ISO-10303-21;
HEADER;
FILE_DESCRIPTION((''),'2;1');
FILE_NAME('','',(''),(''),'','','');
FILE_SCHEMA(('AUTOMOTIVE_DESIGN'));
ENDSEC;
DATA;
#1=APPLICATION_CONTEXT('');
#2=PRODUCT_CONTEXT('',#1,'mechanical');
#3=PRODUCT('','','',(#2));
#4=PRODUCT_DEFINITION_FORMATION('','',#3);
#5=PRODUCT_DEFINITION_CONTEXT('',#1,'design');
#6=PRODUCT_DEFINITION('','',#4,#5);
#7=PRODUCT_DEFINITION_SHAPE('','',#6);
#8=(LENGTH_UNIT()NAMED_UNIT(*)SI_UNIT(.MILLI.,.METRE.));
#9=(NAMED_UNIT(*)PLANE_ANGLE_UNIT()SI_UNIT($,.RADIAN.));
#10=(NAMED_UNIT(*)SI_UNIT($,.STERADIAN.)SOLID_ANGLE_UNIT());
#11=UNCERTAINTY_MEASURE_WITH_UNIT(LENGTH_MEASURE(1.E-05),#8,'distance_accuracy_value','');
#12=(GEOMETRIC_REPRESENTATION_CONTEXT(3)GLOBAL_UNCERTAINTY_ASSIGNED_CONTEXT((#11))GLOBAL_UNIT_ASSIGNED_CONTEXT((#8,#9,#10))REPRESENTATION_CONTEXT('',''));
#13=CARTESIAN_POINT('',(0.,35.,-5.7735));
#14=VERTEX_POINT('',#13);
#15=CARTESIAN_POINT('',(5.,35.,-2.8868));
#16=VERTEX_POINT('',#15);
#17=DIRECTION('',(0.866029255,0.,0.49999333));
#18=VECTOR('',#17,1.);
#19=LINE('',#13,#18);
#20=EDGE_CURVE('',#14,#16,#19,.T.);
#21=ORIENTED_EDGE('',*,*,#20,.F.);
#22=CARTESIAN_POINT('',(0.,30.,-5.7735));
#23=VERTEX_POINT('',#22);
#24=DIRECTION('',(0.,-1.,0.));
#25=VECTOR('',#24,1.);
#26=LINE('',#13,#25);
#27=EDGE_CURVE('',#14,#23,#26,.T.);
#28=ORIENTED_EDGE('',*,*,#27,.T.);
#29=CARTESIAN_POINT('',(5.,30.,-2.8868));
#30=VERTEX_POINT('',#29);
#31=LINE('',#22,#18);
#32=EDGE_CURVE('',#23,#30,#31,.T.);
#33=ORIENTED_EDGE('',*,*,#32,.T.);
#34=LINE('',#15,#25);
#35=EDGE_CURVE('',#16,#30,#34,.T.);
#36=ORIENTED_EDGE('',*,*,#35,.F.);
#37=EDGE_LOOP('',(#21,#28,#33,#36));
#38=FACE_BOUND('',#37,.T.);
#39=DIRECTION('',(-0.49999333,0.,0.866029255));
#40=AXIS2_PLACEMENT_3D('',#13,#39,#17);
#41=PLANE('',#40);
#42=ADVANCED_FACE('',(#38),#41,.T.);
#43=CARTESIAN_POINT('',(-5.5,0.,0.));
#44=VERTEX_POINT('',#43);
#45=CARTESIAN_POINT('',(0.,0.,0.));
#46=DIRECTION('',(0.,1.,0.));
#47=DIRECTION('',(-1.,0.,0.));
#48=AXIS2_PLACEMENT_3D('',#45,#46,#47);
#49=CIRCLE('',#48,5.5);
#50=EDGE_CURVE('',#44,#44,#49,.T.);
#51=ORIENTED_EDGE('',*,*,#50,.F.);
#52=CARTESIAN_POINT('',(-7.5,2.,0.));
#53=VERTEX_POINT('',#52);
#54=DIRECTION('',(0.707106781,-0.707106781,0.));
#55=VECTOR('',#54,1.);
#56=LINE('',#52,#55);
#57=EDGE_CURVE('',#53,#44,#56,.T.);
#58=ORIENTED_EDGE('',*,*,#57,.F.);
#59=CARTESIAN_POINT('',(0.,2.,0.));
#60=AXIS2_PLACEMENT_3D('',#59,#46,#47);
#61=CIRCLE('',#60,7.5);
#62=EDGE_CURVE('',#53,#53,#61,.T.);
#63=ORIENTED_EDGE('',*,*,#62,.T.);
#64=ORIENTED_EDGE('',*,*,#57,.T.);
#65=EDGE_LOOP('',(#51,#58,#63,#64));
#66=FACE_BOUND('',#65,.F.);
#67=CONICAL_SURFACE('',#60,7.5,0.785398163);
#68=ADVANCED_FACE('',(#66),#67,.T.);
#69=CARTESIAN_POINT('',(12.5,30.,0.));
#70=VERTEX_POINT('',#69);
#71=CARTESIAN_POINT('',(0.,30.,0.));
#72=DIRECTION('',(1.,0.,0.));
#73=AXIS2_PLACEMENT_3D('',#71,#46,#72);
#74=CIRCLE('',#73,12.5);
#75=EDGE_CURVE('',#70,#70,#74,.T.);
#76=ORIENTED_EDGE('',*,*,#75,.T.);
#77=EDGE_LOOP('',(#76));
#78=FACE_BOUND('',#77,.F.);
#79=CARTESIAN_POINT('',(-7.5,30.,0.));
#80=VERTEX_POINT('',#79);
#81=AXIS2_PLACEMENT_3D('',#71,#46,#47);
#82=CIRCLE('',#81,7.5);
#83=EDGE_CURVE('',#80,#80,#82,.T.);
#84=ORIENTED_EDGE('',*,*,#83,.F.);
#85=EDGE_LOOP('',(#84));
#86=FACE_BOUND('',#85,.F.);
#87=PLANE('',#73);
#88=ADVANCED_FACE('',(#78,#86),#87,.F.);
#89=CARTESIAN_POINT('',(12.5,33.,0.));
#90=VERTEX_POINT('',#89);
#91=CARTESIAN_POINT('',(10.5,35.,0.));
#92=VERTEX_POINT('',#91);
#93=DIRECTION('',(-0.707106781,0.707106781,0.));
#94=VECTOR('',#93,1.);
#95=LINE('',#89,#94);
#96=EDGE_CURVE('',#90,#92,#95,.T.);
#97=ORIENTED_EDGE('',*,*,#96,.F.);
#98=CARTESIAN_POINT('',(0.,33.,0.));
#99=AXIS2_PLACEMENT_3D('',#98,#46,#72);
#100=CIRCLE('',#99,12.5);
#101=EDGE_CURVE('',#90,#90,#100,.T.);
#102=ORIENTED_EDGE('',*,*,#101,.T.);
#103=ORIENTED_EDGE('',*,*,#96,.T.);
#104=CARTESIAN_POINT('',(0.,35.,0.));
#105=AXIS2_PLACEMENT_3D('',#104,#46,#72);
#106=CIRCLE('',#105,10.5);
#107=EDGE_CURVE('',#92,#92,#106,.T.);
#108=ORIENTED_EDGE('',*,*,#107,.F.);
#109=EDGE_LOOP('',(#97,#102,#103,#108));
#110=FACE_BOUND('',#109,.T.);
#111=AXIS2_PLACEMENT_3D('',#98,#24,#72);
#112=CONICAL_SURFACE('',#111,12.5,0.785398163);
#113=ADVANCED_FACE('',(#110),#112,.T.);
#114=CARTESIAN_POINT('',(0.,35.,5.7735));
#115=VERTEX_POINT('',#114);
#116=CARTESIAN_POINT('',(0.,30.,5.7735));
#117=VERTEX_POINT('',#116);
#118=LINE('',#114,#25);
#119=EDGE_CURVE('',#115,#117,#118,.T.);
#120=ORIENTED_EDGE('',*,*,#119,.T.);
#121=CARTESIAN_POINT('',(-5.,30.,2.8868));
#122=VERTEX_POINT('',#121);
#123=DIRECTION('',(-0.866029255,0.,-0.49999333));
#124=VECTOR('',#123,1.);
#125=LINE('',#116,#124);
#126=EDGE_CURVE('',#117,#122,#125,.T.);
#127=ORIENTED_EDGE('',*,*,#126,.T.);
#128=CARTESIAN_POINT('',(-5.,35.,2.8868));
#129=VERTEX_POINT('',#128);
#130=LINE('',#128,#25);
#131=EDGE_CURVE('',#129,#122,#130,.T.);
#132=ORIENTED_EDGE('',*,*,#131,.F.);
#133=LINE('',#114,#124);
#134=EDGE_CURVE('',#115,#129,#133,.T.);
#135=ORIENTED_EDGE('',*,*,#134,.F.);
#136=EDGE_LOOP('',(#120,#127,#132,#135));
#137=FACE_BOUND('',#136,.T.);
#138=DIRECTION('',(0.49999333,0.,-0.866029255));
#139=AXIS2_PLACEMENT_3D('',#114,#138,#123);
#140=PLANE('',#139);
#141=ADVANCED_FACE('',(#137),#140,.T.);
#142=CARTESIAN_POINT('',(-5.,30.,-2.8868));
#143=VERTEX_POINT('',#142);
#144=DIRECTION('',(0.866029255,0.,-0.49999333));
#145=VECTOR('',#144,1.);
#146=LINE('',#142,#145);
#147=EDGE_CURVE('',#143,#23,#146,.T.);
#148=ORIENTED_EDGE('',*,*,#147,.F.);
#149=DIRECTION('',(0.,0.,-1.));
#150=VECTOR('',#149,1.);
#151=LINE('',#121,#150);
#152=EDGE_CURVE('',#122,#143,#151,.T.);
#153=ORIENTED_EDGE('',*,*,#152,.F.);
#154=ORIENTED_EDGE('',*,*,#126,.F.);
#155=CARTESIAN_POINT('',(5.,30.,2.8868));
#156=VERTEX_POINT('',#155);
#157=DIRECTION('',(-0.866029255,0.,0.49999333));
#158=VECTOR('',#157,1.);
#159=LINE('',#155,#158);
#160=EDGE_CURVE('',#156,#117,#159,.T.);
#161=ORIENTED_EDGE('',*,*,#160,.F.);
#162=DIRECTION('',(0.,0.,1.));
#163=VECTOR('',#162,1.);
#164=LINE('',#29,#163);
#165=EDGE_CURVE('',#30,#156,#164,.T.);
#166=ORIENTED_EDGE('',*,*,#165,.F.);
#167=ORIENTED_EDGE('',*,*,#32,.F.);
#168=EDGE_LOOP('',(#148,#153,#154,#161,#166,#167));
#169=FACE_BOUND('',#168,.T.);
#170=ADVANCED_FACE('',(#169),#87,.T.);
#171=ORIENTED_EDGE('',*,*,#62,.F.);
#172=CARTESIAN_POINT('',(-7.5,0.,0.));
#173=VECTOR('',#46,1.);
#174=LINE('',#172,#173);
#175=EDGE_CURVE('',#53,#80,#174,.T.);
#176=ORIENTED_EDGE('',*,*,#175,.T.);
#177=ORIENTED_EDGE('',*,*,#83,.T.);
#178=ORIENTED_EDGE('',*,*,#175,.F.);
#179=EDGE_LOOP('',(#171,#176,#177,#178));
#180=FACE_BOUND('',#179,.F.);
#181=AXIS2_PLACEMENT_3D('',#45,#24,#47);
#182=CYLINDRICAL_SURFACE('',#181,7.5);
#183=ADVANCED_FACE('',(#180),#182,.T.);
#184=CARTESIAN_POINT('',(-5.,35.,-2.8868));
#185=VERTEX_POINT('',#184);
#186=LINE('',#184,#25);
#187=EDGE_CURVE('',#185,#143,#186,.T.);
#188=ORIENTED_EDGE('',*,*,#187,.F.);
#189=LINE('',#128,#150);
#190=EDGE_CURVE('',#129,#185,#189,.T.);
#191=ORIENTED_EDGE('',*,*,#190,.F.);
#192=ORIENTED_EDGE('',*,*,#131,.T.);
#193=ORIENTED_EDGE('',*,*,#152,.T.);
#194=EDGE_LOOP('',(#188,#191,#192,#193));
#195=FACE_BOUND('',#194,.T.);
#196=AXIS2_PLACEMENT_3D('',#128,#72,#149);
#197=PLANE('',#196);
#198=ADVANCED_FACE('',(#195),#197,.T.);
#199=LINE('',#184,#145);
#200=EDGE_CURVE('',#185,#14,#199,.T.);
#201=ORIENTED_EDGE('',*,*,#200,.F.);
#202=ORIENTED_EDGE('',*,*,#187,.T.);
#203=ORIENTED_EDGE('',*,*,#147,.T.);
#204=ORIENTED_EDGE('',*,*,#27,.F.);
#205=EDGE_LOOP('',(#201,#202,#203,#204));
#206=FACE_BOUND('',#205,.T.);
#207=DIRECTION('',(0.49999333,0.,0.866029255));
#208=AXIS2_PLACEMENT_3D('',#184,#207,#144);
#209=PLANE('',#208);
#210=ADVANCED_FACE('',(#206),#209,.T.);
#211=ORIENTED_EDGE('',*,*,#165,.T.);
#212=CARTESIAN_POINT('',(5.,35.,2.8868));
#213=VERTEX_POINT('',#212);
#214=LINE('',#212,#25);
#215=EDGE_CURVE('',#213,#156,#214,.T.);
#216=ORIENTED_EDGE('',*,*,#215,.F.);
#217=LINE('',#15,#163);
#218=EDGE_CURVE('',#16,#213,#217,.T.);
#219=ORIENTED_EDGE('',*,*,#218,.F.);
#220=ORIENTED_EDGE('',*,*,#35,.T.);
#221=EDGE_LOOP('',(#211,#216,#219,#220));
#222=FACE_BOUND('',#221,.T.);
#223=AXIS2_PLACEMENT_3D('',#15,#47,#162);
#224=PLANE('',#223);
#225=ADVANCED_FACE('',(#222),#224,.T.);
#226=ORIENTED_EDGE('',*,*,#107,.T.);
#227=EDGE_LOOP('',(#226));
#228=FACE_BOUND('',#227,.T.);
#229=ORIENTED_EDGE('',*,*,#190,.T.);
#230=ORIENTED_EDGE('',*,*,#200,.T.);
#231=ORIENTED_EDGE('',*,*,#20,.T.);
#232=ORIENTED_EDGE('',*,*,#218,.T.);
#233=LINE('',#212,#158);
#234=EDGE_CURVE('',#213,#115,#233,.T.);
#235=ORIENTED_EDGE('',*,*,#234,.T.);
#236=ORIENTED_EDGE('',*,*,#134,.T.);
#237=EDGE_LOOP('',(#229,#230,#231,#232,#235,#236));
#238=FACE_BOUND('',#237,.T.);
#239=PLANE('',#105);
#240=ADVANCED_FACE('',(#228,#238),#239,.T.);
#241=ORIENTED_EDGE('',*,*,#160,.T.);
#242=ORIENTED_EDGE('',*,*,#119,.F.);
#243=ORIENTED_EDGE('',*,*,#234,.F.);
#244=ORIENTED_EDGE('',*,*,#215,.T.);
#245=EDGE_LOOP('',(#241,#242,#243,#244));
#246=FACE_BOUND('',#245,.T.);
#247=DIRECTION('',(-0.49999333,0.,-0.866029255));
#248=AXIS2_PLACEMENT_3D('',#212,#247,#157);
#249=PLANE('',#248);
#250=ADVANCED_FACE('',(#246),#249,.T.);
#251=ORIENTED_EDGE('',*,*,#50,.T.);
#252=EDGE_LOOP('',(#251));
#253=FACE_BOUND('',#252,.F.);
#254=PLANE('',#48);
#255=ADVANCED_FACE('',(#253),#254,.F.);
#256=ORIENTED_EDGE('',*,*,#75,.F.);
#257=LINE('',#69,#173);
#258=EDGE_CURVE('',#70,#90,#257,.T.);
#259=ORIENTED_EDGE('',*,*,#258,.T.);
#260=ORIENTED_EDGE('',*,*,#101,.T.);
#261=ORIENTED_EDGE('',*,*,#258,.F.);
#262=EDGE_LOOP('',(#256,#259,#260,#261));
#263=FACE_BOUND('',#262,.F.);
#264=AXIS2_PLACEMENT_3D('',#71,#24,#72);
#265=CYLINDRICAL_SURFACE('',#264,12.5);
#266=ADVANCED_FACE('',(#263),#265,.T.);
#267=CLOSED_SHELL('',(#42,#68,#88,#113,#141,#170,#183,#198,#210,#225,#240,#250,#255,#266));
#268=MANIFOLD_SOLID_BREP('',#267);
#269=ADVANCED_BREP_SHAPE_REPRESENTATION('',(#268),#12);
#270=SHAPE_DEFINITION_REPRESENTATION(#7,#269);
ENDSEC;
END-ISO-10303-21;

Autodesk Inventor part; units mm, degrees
ref_plane "YZ Plane" through (0, 0, 0) normal (1, 0, 0) x (0, 1, 0)
ref_plane "XZ Plane" through (0, 0, 0) normal (0, 1, 0) x (-1, 0, 0)
ref_plane "XY Plane" through (0, 0, 0) normal (0, 0, 1) x (1, 0, 0)
sketch "Sketch1" plane through (0, 0, 0) normal (0, 1, 0) x (-1, 0, 0)
  circle A0 centre (0, 0) radius 7.5
  dimension "d0" = 15
extrude "Extrusion1" add sketch "Sketch1" along normal blind 30
chamfer "Chamfer1" distance 2 angle 45 1 edges at (7.5, 0, 0)
sketch "Sketch2" plane through (0, 30, 0) normal (0, 1, 0) x (1, 0, 0)
  circle A0 centre (0, 0) radius 12.5
  dimension "d6" = 25
extrude "Extrusion2" add sketch "Sketch2" along normal blind 5
chamfer "Chamfer2" distance 2 angle 45 1 edges at (-12.5, 35, 0)
thread "Thread1" size "M15x1.5" class "6g" standard "ISO Metric profile" length 20
sketch "Sketch3" plane through (0, 35, 0) normal (0, 1, 0) x (1, 0, 0)
  line L0 (0, 5.7735) -> (5, 2.8868)
  line L1 (5, 2.8868) -> (5, -2.8868)
  line L2 (5, -2.8868) -> (0, -5.7735)
  line L3 (0, -5.7735) -> (-5, -2.8868)
  line L4 (-5, -2.8868) -> (-5, 2.8868)
  line L5 (-5, 2.8868) -> (0, 5.7735)
  point P0 (0, 0)
  point P1 (0, 0)
  dimension "d14" = 10
extrude "Extrusion3" cut sketch "Sketch3" against normal blind 5
properties part number "Tutorial Pt.2" material "Stainless Steel"
